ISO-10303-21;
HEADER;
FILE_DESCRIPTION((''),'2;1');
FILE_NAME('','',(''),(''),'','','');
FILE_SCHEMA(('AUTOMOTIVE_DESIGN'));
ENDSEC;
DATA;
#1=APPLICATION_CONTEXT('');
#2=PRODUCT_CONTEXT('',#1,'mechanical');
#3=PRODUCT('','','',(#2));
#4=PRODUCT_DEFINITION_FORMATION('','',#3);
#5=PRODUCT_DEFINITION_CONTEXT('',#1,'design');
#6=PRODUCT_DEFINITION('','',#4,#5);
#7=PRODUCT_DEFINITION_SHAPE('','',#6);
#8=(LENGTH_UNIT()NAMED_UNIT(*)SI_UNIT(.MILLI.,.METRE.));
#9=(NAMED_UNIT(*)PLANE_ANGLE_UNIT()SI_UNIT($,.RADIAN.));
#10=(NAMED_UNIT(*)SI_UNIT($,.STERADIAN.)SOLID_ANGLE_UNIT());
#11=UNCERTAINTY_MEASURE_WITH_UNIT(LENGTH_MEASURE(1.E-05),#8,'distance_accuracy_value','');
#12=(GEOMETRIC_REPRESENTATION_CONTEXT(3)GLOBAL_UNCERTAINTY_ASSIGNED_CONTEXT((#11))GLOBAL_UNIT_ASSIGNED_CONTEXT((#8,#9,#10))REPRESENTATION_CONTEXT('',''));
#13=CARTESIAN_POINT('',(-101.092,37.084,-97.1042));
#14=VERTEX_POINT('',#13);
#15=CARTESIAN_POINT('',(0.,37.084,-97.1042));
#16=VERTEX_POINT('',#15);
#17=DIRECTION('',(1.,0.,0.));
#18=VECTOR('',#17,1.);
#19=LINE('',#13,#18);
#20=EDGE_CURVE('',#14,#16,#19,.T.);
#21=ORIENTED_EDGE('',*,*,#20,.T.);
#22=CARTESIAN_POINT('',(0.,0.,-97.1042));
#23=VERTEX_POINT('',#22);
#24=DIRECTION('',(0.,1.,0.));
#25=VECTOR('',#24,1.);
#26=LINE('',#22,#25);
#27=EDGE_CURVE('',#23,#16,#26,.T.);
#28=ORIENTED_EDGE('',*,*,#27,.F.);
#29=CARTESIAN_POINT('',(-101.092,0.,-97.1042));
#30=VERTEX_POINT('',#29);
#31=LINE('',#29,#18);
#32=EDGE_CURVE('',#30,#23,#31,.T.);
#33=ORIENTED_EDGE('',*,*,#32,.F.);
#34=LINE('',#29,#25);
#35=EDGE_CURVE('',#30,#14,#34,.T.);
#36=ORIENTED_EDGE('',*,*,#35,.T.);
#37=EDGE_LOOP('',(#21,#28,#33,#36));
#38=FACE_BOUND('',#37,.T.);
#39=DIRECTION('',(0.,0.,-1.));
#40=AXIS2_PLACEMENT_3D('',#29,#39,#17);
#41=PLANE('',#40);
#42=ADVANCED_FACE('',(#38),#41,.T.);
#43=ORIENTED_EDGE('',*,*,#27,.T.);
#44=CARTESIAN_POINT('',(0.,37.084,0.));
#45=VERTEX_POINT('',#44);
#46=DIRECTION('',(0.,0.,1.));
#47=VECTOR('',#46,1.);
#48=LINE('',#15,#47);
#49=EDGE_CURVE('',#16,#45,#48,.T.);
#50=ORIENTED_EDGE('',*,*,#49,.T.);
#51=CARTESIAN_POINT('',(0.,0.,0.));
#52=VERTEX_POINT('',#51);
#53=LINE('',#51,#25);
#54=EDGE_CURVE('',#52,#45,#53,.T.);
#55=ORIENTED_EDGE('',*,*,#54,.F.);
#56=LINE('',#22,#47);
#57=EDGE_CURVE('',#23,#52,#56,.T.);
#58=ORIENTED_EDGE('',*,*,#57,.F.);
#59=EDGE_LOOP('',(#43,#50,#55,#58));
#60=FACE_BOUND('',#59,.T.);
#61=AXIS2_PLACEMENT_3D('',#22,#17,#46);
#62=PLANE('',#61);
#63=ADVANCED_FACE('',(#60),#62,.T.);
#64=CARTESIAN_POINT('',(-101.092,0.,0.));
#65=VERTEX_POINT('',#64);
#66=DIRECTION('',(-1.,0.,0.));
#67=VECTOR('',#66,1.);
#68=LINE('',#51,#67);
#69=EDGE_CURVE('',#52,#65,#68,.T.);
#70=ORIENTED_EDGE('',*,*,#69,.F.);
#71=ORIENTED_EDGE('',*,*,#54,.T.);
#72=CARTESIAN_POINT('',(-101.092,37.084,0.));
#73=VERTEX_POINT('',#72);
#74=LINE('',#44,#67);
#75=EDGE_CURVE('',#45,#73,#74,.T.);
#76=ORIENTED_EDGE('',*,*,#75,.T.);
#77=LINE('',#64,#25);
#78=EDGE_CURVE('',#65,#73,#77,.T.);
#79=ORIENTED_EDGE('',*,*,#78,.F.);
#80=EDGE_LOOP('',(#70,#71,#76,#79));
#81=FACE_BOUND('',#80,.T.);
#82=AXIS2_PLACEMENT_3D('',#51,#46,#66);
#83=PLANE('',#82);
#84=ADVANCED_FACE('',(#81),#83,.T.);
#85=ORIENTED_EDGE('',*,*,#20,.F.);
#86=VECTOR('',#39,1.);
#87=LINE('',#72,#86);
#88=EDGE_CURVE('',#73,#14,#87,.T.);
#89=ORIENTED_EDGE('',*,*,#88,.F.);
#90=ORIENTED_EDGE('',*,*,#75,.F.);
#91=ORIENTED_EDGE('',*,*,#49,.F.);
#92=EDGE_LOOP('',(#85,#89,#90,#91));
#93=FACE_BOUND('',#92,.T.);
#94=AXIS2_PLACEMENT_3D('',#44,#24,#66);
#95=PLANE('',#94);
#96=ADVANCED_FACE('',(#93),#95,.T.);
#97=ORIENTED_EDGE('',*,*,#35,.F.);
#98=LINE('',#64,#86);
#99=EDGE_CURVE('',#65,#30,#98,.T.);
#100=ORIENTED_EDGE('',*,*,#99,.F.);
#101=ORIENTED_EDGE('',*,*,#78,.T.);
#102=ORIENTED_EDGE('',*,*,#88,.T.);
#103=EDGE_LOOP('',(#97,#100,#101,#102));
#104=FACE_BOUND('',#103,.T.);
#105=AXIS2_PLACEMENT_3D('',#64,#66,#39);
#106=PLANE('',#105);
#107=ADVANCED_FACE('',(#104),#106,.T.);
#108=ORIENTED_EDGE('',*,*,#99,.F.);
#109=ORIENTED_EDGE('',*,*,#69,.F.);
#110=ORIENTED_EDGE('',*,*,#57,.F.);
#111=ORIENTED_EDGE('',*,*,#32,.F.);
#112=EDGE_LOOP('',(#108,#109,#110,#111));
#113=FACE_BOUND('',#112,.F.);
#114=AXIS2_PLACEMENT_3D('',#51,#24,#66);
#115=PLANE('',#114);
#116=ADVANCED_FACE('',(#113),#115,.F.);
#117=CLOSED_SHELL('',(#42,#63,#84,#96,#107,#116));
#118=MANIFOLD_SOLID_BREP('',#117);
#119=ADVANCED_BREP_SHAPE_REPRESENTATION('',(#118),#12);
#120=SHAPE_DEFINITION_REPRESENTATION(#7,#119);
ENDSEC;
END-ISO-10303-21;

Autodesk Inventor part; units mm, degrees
ref_plane "YZ Plane" through (0, 0, 0) normal (1, 0, 0) x (0, 1, 0)
ref_plane "XZ Plane" through (0, 0, 0) normal (0, 1, 0) x (-1, 0, 0)
ref_plane "XY Plane" through (0, 0, 0) normal (0, 0, 1) x (1, 0, 0)
sketch "Sketch1" plane through (0, 0, 0) normal (0, 1, 0) x (-1, 0, 0)
  line L0 (0, 0) -> (101.092, 0)
  line L1 (101.092, 0) -> (101.092, -97.1042)
  line L2 (101.092, -97.1042) -> (0, -97.1042)
  line L3 (0, -97.1042) -> (0, 0)
  dimension "d0" = 101.092
  dimension "d1" = 97.1042
extrude "Extrusion1" add sketch "Sketch1" along normal blind 37.084
sketch "Sketch2" plane through (0, 37.084, 0) normal (0, 1, 0) x (1, 0, 0)
  line L0 (-86.0168, 57.6178) -> (-24.7466, 57.6178) construction
  line L1 (-24.7466, 57.6178) -> (-24.7466, 30.9333) construction
  line L2 (-24.7466, 30.9333) -> (-86.0168, 30.9333) construction
  line L3 (-86.0168, 30.9333) -> (-86.0168, 57.6178) construction
  point P0 (0, 0)
properties part number "switch-ver1-1111-2017"
